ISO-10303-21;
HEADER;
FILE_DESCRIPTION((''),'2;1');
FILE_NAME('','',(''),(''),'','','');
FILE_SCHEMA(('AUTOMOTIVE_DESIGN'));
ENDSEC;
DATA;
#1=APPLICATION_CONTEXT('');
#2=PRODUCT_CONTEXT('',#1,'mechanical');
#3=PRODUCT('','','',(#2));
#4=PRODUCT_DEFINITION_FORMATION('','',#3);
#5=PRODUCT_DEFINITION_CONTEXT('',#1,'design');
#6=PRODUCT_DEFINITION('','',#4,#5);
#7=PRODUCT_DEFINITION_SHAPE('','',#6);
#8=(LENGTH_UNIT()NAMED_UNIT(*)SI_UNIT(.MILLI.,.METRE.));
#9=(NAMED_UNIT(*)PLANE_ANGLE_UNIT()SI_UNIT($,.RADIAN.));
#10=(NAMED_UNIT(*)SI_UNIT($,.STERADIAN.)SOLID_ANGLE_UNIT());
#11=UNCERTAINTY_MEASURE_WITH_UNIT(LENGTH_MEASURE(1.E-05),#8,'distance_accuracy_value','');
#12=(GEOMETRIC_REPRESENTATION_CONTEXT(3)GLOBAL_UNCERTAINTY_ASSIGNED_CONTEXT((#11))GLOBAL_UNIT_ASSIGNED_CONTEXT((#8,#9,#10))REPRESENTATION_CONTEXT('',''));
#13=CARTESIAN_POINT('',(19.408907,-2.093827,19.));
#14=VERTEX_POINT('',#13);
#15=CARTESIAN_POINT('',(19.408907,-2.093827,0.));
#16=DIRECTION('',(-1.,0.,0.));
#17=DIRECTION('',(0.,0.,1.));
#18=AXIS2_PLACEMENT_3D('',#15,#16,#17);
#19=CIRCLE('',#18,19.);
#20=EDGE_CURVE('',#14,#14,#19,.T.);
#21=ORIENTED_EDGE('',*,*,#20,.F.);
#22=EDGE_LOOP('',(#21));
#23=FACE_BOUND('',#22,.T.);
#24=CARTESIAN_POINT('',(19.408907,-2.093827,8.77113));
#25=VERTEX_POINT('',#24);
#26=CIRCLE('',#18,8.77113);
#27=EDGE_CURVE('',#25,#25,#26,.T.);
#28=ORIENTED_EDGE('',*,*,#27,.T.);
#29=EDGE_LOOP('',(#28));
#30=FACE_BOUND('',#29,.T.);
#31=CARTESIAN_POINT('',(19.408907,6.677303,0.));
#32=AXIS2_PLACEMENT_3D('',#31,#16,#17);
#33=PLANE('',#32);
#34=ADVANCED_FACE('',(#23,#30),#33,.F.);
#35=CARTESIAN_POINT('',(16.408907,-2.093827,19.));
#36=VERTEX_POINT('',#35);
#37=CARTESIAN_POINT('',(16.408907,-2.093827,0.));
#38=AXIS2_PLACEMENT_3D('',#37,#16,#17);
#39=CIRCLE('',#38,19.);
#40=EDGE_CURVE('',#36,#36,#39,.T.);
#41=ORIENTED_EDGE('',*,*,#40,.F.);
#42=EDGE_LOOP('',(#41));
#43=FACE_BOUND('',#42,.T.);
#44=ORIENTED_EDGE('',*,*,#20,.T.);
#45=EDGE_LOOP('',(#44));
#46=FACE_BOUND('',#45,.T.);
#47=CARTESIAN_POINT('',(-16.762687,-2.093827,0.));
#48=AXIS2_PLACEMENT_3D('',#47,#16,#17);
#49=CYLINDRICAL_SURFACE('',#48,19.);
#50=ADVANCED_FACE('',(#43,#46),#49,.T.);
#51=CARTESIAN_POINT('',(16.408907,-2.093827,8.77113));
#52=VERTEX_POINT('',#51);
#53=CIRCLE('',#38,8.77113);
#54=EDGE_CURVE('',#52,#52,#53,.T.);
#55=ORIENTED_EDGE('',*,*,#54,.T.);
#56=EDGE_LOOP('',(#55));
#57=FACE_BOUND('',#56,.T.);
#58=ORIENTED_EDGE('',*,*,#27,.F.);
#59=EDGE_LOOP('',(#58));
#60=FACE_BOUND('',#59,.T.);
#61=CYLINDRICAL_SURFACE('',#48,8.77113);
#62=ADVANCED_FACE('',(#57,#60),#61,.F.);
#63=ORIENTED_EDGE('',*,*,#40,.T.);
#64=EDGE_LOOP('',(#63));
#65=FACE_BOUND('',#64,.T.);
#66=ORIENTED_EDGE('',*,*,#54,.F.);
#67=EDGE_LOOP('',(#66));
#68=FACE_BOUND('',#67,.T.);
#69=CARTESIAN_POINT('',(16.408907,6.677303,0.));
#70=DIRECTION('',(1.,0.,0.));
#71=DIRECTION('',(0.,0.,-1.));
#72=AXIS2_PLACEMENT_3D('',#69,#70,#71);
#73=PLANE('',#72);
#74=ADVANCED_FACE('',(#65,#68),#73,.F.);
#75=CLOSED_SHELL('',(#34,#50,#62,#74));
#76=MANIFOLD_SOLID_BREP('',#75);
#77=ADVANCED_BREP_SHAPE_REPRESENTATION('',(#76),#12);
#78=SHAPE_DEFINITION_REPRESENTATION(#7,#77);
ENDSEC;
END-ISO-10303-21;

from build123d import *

# Parameters (mm, degrees)
SKETCH1_W = 3
SKETCH1_H = 10.228870078


with BuildPart() as part:
    # Sketch1 → Revolve1 (revolve)
    with BuildSketch(Plane.XY):
        with Locations((17.908906872, 11.791737839)):
            Rectangle(SKETCH1_W, SKETCH1_H)
    revolve(axis=Axis((-16.762687395, -2.093827122, 0), (1, 0, 0)))


solid = part.part
